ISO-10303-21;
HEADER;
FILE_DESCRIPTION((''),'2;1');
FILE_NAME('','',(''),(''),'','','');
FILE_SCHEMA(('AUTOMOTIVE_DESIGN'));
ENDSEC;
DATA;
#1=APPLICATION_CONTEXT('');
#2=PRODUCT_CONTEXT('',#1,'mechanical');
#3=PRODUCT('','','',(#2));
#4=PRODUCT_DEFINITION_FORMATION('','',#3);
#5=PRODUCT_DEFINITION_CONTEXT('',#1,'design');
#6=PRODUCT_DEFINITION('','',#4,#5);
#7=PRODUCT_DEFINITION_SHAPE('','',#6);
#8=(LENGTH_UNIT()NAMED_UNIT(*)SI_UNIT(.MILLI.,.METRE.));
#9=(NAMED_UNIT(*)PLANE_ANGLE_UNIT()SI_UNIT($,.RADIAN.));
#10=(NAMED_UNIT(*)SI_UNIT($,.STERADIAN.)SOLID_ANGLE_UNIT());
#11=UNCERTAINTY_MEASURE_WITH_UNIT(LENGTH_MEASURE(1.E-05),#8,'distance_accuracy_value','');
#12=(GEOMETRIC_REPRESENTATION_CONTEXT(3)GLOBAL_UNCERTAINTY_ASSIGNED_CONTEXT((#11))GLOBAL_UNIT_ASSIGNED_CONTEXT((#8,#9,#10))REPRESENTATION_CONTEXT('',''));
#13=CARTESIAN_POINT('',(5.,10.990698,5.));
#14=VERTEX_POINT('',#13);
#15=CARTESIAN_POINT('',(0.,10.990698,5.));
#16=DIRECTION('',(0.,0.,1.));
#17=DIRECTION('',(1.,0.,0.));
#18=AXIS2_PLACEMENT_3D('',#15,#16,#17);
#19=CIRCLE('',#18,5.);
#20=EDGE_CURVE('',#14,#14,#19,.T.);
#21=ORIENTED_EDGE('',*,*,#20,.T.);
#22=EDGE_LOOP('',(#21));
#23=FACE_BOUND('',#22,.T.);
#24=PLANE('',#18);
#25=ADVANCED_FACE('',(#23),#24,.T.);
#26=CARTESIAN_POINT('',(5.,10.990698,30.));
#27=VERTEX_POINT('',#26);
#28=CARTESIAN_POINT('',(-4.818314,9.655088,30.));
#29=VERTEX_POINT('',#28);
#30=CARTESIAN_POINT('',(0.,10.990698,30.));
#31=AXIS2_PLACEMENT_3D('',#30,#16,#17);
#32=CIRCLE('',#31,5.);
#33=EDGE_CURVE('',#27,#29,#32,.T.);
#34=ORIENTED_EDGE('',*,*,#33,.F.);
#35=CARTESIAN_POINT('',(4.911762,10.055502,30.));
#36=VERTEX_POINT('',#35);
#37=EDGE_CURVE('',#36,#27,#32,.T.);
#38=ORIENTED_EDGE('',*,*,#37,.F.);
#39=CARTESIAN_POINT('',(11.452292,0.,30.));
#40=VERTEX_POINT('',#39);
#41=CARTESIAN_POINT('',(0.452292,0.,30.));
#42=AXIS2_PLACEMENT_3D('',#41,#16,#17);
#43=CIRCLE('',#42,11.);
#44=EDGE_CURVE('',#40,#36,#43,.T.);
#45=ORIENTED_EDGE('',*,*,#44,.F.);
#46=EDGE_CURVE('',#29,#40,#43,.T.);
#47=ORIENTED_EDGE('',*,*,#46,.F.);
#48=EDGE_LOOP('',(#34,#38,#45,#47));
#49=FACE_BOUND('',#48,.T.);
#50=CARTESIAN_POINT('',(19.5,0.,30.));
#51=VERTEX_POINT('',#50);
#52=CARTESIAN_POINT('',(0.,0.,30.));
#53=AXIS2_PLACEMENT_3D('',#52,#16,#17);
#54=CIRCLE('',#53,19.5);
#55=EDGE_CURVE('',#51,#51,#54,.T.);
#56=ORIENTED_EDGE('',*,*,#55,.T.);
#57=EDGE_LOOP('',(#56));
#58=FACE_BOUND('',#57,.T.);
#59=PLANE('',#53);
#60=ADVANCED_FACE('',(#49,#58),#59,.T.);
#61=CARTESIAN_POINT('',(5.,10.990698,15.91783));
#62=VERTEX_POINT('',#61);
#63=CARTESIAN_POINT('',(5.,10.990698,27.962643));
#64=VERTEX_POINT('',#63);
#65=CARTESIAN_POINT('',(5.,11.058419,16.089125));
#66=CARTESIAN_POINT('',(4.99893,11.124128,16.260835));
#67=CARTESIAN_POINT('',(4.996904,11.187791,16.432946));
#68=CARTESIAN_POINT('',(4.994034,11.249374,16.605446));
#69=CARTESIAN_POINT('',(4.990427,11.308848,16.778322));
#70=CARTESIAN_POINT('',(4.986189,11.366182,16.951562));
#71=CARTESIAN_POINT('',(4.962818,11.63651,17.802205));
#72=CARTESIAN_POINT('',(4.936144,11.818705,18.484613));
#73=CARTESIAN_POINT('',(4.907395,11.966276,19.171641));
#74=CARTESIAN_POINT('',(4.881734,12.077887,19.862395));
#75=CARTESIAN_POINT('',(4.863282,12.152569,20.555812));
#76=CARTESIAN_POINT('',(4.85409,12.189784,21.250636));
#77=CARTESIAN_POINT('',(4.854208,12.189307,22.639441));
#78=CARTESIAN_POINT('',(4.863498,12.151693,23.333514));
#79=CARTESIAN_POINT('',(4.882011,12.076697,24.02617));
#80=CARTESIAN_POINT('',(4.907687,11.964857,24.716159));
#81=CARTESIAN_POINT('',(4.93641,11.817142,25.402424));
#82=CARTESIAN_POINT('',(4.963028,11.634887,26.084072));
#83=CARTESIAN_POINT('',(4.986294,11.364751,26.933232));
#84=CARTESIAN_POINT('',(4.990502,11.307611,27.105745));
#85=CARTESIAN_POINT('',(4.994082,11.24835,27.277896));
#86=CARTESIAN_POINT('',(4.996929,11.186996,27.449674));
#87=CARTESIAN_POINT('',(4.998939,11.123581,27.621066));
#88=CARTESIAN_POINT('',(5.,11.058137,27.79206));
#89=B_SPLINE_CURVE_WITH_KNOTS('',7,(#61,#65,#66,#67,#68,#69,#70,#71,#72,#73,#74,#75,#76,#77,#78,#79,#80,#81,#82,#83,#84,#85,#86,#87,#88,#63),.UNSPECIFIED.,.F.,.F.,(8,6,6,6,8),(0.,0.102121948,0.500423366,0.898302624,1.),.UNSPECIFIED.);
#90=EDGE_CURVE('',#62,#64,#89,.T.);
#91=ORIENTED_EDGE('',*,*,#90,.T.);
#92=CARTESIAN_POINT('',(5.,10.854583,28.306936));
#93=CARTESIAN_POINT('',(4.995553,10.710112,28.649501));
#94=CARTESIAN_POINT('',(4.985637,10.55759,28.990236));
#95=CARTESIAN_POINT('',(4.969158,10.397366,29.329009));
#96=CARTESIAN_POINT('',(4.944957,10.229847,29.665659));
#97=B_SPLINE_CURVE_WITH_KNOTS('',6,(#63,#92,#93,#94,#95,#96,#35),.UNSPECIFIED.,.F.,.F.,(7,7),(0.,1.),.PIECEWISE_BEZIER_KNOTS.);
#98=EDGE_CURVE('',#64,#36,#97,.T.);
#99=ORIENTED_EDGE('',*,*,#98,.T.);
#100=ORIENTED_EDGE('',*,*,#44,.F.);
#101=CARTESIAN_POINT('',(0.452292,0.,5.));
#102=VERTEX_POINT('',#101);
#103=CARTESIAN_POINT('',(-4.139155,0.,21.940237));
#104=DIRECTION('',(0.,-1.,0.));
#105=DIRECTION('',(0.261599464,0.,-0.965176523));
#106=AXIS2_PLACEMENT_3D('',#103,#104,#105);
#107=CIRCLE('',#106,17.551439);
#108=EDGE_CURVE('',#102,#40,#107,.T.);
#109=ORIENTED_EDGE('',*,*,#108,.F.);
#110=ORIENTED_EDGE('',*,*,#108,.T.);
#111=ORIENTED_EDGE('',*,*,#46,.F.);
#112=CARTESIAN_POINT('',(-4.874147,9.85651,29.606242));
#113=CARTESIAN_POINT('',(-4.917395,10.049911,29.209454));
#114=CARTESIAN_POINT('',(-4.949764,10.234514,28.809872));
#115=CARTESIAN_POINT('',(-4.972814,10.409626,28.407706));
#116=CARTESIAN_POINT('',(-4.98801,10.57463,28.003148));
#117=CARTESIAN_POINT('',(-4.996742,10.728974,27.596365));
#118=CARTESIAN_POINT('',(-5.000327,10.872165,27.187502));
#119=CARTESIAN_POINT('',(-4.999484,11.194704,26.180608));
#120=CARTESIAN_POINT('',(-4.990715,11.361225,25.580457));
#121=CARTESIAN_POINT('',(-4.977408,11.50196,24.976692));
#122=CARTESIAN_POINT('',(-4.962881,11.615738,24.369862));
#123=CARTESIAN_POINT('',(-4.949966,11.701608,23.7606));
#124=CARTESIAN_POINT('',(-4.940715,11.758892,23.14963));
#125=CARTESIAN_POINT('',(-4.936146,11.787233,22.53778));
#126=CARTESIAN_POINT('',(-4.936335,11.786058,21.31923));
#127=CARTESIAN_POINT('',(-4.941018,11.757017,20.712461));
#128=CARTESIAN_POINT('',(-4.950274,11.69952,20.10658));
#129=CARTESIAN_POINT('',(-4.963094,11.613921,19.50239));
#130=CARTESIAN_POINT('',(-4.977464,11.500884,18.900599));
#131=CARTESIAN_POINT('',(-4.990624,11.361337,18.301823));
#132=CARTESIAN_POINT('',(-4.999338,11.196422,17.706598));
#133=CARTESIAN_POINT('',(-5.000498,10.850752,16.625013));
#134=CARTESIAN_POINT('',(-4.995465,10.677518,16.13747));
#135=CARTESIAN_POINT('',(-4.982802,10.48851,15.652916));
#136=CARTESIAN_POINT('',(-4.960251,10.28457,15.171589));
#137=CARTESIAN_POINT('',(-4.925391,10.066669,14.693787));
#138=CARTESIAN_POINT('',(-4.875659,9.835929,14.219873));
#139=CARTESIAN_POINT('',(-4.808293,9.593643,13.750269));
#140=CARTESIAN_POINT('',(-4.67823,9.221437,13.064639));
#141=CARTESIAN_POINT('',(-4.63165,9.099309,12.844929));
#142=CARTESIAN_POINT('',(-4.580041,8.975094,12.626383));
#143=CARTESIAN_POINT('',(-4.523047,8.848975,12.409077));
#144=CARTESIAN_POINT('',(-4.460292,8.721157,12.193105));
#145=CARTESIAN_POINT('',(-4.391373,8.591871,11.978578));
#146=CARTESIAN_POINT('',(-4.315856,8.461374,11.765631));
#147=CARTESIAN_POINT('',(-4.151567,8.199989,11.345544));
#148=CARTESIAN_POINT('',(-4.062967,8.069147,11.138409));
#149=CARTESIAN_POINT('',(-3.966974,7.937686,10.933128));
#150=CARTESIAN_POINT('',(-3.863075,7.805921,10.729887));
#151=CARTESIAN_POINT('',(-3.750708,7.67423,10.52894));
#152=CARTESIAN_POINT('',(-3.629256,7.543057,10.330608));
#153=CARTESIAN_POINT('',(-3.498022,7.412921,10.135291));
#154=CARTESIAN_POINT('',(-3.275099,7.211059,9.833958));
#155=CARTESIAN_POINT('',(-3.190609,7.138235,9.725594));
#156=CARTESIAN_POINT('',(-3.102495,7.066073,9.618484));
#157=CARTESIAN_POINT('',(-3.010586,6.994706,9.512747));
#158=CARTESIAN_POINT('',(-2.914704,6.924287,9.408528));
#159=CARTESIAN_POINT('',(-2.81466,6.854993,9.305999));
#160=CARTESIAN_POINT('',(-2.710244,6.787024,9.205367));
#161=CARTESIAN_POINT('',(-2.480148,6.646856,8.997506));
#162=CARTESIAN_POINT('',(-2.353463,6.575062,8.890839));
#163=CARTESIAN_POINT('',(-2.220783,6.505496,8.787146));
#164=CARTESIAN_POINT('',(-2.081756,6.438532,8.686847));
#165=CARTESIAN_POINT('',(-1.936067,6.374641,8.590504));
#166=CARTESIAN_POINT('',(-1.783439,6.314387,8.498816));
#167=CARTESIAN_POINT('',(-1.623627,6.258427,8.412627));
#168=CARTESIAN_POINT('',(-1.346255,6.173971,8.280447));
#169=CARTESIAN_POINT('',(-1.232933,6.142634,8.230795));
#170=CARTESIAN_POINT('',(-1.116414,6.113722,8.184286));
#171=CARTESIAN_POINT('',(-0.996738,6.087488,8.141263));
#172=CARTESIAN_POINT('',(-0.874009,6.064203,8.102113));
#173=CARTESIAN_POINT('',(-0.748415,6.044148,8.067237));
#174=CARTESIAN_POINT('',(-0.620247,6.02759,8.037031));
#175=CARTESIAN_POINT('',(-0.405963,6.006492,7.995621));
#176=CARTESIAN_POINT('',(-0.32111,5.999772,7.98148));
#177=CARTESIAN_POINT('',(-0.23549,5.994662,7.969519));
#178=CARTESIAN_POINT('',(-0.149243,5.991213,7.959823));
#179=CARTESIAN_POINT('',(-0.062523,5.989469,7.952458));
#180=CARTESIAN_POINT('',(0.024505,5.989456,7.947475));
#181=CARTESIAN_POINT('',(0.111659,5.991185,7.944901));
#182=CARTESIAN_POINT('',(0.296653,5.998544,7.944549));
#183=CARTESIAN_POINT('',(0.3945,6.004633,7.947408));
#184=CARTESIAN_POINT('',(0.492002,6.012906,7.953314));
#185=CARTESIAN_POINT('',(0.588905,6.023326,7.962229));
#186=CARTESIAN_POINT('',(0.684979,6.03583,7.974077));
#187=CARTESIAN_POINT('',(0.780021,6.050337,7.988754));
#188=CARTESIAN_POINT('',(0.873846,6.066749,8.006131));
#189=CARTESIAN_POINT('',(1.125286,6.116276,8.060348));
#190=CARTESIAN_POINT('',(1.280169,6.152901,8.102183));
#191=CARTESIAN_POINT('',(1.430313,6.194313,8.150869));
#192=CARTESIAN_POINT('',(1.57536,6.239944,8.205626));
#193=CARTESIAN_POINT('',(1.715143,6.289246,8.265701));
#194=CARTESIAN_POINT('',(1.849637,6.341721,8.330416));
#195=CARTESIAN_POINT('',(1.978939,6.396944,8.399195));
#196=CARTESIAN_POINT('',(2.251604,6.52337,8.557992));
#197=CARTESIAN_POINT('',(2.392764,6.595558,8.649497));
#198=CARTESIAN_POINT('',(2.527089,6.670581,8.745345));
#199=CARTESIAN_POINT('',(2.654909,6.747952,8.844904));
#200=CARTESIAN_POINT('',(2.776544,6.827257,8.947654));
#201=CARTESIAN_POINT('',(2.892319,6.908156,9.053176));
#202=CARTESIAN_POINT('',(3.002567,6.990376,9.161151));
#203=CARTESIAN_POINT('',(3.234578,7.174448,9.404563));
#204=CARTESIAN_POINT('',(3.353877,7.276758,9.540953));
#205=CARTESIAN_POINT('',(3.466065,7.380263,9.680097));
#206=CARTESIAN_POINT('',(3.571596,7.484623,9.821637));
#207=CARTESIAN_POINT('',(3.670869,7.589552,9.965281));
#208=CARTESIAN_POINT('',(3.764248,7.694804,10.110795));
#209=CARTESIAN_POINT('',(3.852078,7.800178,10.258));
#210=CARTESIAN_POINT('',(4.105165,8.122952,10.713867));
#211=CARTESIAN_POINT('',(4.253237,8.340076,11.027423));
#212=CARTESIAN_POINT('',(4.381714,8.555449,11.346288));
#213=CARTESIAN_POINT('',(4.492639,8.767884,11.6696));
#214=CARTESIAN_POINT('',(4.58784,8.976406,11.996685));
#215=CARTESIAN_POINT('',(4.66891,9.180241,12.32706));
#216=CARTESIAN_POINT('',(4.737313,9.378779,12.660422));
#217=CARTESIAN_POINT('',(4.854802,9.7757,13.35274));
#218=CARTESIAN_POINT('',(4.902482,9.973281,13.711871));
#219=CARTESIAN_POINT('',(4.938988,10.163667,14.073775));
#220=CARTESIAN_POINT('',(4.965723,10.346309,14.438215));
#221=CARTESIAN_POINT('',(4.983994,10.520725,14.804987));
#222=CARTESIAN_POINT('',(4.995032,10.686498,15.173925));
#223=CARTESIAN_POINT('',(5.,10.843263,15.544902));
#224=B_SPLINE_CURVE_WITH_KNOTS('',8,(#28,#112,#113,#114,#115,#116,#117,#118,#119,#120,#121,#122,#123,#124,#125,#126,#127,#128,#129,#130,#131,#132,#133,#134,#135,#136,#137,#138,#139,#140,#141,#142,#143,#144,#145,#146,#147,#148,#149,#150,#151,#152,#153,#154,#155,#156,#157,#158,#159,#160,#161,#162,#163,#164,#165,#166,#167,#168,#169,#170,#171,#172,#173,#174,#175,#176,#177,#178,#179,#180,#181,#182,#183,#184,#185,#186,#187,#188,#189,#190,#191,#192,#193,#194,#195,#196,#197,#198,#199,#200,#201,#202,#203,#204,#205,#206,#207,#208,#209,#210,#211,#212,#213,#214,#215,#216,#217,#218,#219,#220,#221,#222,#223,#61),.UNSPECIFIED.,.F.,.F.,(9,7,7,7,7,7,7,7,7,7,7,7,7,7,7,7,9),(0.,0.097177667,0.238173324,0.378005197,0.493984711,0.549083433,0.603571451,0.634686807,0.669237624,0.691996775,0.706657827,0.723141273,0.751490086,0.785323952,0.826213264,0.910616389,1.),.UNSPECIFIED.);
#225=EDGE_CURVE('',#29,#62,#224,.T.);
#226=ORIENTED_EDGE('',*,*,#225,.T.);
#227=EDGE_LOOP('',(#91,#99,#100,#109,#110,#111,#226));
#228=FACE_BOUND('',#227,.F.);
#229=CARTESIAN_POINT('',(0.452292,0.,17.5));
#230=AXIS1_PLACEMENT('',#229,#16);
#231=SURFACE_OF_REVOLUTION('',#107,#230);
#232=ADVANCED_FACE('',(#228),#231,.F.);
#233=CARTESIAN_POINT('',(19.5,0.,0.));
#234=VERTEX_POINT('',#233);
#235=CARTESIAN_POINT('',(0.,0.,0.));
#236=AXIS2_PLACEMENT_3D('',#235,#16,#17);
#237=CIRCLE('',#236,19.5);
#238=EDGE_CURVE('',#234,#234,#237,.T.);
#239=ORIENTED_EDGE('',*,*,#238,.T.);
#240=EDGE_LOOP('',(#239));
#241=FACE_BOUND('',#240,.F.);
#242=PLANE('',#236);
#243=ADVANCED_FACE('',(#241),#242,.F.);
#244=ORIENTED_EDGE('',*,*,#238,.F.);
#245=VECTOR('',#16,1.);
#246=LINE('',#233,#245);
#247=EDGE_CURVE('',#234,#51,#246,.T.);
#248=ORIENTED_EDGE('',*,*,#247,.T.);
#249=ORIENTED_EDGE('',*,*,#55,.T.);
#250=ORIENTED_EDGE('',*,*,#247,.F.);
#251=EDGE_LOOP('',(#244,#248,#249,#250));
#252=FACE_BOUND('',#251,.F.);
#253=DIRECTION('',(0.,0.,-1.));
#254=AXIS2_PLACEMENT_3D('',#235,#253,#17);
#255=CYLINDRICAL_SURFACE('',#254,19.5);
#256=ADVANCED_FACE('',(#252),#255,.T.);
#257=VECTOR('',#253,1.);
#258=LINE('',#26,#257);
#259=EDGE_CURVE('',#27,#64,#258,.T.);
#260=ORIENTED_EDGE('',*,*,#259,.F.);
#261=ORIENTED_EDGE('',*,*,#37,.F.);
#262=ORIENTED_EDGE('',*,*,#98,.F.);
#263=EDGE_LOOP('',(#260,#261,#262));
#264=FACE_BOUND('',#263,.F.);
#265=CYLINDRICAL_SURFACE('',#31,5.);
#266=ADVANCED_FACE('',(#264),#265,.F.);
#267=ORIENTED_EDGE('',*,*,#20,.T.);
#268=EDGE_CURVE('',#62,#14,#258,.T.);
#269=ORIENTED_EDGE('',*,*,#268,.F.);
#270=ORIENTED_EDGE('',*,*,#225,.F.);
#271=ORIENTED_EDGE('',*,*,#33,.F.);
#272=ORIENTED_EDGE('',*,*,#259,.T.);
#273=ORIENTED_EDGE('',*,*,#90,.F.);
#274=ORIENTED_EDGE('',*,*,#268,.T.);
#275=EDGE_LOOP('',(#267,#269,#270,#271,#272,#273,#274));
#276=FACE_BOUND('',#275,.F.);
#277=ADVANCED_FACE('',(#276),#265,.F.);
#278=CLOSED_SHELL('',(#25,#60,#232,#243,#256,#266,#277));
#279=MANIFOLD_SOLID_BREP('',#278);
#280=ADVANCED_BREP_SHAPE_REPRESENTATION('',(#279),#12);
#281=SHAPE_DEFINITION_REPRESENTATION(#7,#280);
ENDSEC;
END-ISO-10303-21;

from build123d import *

# Parameters (mm, degrees)
F0_R     = 19.5
F1_DEPTH = 30
F4_R     = 5
F5_DEPTH = 25


with BuildPart() as f1:
    # F0 (on Top) → F1 (new body)
    with BuildSketch(Plane.XY):
        Circle(F0_R)
    extrude(amount=F1_DEPTH)

    # F2 (on Front) → F3 (revolve, cut)
    with BuildSketch(Plane.XZ):
        with BuildLine():
            Line((11.452292, 30), (0.452292, 30))
            Line((0.452292, 30), (0.452292, 5))
            ThreePointArc((0.452292, 5), (11.925941, 14.871595), (11.452292, 30))
        make_face()
    revolve(axis=Axis((0.452292, 0, 17.5), (0, 0, 1)), mode=Mode.SUBTRACT)

    # F4 (on face) → F5 (cut)
    with BuildSketch(Plane.XY.offset(30)):
        with Locations((0, 10.990698)):
            Circle(F4_R)
    extrude(amount=-F5_DEPTH, mode=Mode.SUBTRACT)


solid = f1.part
